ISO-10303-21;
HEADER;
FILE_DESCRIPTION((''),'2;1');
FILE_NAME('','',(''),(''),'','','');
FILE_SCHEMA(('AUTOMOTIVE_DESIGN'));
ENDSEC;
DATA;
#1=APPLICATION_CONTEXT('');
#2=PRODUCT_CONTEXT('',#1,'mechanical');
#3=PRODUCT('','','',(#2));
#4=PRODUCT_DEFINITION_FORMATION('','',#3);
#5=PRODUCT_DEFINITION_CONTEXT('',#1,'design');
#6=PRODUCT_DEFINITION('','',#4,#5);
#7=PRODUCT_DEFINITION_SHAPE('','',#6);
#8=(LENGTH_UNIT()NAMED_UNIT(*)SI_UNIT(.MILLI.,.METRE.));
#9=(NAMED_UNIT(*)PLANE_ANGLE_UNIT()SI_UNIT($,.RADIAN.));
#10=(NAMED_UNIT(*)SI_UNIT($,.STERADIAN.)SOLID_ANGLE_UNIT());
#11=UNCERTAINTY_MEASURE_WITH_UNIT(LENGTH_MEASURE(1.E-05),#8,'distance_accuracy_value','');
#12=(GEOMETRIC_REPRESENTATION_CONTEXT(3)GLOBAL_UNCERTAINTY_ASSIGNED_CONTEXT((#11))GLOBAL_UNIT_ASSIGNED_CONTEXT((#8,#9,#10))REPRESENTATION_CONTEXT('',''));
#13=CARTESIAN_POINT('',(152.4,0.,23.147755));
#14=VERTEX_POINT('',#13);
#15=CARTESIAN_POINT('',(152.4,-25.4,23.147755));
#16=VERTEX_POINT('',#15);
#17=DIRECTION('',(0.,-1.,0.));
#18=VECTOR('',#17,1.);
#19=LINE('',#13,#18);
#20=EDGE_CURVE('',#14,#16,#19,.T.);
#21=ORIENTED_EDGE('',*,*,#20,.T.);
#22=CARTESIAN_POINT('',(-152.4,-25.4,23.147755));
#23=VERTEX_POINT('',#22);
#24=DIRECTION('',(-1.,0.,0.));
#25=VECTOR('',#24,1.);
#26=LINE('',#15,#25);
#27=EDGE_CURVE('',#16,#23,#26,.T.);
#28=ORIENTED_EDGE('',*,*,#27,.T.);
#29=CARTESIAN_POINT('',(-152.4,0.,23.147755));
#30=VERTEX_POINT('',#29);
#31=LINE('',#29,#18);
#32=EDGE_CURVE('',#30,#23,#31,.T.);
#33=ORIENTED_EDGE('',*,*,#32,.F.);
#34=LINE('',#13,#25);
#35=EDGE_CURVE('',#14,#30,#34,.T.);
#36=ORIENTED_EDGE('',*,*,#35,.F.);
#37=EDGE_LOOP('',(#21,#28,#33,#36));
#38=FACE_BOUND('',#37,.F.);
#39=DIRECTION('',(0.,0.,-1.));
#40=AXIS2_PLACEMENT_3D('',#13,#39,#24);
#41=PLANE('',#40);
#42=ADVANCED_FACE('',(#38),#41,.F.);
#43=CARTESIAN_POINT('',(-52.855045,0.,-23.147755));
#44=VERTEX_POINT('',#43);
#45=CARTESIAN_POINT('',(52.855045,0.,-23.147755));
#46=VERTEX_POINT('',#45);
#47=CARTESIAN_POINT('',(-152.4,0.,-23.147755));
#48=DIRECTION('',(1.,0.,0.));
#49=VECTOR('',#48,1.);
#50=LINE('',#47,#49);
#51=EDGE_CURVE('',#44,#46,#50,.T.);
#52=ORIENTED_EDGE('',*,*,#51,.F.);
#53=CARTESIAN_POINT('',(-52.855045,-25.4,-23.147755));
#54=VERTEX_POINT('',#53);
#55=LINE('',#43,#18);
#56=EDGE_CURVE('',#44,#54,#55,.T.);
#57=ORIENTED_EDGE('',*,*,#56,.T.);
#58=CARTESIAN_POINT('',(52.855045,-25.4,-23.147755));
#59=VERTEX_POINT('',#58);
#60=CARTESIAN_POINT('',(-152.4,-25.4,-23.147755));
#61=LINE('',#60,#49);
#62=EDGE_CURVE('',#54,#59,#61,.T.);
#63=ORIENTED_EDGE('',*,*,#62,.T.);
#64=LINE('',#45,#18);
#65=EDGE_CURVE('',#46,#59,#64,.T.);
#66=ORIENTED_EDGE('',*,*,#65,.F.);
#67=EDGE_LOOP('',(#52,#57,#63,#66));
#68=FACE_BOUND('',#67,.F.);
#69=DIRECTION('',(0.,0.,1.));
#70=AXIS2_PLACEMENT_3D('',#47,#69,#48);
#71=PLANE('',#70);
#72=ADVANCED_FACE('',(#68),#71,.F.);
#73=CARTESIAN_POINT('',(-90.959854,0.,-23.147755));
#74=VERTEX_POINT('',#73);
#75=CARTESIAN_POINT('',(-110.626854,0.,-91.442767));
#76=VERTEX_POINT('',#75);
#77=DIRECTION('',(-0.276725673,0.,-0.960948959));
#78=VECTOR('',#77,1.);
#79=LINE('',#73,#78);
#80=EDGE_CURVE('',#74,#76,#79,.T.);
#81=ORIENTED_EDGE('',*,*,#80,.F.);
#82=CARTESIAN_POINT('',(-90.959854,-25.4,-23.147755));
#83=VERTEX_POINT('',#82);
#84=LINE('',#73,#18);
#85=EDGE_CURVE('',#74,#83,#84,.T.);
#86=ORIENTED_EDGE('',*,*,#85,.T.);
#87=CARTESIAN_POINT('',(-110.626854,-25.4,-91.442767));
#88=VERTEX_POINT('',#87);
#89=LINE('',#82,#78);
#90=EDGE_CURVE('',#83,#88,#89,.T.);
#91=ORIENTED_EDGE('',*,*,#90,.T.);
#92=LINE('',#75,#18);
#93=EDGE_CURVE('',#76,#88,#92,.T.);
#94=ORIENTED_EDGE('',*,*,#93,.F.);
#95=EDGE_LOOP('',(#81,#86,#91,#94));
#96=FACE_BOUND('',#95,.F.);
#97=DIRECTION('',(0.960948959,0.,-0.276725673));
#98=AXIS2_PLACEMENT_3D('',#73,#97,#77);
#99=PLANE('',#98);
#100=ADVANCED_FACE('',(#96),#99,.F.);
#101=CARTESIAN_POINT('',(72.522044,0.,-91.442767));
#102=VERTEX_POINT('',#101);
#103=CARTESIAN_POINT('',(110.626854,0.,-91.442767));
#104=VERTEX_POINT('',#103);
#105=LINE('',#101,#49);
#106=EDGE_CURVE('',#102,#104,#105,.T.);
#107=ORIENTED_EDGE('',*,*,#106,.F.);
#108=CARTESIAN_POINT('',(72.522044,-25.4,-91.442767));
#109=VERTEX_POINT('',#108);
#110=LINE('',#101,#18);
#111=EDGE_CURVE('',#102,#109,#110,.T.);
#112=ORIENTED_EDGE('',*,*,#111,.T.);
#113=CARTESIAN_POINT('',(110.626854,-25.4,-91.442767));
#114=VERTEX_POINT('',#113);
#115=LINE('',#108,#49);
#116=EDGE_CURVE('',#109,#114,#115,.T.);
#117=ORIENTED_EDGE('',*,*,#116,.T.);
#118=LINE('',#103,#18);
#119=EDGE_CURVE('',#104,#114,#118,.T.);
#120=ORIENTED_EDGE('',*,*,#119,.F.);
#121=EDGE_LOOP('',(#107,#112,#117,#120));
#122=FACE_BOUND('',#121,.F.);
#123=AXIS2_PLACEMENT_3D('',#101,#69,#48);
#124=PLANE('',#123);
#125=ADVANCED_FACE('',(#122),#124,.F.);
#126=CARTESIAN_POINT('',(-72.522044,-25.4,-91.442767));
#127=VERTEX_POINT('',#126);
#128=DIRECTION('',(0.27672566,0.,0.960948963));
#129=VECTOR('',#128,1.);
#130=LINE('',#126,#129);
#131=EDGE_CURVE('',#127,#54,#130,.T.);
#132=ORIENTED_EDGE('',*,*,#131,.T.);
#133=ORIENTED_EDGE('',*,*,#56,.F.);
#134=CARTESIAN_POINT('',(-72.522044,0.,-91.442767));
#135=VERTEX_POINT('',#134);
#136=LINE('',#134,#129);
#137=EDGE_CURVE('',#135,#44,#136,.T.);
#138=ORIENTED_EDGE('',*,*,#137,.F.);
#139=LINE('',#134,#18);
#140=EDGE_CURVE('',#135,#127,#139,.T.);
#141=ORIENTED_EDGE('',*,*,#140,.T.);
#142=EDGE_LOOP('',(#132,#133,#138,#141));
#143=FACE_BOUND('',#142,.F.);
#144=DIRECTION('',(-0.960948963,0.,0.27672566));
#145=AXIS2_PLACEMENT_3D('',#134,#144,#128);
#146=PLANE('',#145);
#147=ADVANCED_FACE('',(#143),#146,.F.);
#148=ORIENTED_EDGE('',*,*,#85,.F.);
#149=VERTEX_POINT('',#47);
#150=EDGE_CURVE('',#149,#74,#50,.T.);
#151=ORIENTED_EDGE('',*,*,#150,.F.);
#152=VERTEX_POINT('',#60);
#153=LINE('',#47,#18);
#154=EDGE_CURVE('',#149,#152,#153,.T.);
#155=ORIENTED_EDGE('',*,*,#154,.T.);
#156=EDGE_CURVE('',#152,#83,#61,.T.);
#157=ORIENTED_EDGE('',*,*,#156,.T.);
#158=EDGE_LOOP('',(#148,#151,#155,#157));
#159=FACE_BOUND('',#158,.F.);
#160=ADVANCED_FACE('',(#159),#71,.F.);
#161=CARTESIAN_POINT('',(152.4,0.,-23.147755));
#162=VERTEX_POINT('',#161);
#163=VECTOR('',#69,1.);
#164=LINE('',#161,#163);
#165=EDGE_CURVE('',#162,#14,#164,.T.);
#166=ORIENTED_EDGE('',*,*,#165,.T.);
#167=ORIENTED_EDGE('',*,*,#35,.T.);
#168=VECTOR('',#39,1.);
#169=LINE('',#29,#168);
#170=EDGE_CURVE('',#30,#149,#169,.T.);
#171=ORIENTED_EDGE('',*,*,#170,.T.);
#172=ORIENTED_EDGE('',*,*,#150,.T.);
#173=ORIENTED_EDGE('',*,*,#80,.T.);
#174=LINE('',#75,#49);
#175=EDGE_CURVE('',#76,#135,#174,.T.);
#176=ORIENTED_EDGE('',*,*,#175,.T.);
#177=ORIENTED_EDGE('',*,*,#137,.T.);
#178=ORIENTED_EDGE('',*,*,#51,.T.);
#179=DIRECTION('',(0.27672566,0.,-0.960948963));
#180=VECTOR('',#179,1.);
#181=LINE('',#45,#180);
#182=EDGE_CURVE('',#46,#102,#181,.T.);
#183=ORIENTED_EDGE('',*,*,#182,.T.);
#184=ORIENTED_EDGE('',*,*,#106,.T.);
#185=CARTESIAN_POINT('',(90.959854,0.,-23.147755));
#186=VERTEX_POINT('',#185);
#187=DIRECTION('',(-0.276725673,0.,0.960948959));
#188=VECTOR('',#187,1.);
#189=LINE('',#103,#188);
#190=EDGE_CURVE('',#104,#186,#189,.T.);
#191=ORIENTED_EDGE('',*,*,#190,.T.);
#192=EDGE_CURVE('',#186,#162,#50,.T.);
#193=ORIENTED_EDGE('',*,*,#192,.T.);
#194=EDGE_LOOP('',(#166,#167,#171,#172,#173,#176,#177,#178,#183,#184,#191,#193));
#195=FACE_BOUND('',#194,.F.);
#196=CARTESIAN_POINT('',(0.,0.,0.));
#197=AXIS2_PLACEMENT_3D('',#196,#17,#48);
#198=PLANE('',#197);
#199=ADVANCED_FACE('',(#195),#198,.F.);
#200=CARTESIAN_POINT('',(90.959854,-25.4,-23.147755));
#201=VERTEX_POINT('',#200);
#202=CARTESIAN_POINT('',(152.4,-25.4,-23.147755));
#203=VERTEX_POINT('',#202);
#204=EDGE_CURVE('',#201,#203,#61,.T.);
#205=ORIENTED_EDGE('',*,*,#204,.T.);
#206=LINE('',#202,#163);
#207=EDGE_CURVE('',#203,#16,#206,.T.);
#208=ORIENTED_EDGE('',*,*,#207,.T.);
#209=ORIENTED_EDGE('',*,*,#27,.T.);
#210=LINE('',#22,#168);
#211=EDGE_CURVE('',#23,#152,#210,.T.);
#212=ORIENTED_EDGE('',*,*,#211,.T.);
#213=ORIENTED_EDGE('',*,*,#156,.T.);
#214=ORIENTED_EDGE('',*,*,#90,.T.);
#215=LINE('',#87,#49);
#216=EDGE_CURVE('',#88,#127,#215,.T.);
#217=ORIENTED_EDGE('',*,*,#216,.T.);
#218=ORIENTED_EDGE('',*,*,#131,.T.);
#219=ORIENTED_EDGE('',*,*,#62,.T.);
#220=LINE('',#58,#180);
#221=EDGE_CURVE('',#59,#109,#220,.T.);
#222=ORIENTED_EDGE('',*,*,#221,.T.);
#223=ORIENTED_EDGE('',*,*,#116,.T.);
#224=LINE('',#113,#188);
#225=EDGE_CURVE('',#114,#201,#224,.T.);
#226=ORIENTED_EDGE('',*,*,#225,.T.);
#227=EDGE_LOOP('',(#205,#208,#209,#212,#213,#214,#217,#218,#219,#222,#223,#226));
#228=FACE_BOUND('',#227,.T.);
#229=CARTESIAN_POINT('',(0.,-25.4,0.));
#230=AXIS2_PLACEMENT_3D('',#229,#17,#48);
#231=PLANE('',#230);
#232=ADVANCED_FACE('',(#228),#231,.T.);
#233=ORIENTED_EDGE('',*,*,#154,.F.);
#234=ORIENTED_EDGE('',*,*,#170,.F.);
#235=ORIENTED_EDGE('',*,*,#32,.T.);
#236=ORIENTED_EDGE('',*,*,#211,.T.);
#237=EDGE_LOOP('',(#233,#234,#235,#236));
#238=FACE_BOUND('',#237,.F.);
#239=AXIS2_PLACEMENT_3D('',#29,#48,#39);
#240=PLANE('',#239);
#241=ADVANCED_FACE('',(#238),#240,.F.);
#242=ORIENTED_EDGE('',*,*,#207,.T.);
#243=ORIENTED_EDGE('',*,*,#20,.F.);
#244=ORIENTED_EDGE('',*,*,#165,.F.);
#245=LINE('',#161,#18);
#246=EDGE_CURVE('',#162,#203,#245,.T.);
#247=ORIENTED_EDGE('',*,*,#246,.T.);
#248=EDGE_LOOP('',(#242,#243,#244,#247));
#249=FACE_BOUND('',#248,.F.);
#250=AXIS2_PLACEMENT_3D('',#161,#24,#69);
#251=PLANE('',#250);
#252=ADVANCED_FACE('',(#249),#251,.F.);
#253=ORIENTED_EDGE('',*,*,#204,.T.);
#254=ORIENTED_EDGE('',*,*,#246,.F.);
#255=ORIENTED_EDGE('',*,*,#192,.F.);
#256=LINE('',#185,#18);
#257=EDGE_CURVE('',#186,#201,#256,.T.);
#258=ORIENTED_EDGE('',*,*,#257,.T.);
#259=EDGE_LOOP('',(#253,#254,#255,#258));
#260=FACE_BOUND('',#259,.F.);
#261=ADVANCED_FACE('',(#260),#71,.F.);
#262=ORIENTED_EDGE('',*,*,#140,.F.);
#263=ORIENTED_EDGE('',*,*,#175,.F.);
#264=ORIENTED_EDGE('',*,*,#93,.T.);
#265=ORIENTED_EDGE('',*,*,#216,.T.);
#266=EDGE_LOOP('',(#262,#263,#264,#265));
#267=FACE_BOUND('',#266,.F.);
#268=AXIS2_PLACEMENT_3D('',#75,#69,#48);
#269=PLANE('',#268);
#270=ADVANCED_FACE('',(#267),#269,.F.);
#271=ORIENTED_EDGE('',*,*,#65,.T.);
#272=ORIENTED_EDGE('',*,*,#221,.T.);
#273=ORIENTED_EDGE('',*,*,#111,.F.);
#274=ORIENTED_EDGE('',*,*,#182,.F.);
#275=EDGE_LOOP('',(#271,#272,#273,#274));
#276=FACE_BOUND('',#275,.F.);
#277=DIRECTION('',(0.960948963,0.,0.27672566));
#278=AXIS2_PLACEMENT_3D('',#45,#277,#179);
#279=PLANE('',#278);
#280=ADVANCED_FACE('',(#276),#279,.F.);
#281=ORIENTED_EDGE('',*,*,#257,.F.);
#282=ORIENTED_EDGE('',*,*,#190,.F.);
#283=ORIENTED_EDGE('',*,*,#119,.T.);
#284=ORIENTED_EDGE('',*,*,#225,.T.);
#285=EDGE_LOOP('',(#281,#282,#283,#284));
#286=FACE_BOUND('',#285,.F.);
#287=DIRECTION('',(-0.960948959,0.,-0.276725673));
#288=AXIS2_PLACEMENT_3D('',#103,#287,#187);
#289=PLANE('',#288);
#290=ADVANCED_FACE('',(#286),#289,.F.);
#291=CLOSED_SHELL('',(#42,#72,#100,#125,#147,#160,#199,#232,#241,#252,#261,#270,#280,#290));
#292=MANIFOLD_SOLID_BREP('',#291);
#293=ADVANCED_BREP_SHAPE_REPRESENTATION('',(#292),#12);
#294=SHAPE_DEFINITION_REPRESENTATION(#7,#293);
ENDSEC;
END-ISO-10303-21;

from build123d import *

# Parameters (mm, degrees)
F1_DEPTH = 25.4
F2_DEPTH = 25.4


with BuildPart() as f1:
    # F0 (on Front) → F1 (new body)
    with BuildSketch(Plane.XZ):
        Polygon((152.4, -23.147755), (152.4, 23.147755), (-152.4, 23.147755), (-152.4, -23.147755), (-90.959854, -23.147755), (-52.855045, -23.147755), (52.855045, -23.147755), (90.959854, -23.147755), align=None)
    extrude(amount=F1_DEPTH)

    # F0 (on Front) → F2 (join)
    with BuildSketch(Plane.XZ):
        Polygon((110.626854, -91.442767), (90.959854, -23.147755), (52.855045, -23.147755), (72.522044, -91.442767), align=None)
        Polygon((-52.855045, -23.147755), (-90.959854, -23.147755), (-110.626854, -91.442767), (-72.522044, -91.442767), align=None)
    extrude(amount=F2_DEPTH)


solid = f1.part
